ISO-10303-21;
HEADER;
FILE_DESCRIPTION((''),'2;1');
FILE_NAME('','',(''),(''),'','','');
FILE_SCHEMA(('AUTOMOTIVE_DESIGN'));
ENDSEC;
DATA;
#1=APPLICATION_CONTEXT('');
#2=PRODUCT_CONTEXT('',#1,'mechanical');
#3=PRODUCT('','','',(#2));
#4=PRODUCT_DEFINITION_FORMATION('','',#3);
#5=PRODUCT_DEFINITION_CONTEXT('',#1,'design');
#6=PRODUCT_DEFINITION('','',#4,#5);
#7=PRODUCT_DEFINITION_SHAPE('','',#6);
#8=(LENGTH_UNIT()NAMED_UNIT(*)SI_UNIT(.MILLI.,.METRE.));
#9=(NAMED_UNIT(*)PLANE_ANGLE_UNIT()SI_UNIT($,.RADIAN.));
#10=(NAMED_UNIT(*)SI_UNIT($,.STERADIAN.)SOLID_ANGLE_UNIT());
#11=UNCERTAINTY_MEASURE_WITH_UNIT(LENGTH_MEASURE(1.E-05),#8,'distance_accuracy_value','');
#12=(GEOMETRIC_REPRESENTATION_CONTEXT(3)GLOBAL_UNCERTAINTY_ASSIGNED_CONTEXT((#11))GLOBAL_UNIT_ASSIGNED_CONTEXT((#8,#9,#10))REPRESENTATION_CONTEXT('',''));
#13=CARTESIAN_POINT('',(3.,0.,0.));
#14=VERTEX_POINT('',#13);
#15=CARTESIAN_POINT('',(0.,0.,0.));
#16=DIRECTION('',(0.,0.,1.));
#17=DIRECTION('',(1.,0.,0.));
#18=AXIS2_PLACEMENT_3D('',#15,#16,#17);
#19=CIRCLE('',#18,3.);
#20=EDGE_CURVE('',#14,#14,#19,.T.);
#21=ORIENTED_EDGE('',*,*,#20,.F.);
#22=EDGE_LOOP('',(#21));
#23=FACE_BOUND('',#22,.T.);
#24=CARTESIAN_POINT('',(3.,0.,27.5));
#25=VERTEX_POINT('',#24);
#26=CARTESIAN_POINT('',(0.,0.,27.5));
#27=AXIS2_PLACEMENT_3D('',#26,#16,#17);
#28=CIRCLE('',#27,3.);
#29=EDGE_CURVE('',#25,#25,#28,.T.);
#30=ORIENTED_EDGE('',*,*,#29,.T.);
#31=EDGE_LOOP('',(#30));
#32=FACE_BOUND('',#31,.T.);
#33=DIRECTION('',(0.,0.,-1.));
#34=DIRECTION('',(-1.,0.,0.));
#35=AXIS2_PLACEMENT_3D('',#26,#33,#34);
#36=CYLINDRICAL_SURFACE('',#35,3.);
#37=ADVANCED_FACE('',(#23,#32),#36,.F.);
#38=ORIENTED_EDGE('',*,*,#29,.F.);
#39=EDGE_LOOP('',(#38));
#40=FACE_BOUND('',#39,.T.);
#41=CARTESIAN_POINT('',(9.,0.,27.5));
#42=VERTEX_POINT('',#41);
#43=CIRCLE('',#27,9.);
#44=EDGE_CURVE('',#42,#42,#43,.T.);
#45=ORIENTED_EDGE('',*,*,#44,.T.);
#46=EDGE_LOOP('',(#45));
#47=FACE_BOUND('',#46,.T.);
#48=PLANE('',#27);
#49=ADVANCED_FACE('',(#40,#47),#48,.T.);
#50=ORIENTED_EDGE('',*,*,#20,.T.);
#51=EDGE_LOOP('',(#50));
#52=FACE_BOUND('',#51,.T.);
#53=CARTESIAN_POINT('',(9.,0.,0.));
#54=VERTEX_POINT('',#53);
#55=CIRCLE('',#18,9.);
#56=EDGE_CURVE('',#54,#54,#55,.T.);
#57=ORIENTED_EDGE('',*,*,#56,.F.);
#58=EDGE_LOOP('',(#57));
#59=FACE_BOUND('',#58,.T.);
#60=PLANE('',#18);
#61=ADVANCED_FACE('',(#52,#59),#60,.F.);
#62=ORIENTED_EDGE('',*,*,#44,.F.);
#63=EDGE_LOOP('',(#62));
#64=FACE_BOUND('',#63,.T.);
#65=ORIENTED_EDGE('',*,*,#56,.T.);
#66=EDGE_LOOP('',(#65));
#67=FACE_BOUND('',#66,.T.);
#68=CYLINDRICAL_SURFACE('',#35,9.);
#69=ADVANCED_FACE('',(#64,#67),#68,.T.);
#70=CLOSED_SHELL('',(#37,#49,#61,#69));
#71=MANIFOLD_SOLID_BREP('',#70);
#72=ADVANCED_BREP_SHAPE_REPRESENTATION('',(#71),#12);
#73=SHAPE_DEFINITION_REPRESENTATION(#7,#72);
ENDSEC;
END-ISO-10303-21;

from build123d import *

# Parameters (mm, degrees)
SKETCH_1_R      = 9
SKETCH_1_R_2    = 3
EXTRUDE_1_DEPTH = 27.5


with BuildPart() as part:
    # Эскиз1 → Бобышка-Вытянуть1 (new body)
    with BuildSketch(Plane.XY):
        Circle(SKETCH_1_R)
        Circle(SKETCH_1_R_2, mode=Mode.SUBTRACT)
    extrude(amount=EXTRUDE_1_DEPTH)


solid = part.part
